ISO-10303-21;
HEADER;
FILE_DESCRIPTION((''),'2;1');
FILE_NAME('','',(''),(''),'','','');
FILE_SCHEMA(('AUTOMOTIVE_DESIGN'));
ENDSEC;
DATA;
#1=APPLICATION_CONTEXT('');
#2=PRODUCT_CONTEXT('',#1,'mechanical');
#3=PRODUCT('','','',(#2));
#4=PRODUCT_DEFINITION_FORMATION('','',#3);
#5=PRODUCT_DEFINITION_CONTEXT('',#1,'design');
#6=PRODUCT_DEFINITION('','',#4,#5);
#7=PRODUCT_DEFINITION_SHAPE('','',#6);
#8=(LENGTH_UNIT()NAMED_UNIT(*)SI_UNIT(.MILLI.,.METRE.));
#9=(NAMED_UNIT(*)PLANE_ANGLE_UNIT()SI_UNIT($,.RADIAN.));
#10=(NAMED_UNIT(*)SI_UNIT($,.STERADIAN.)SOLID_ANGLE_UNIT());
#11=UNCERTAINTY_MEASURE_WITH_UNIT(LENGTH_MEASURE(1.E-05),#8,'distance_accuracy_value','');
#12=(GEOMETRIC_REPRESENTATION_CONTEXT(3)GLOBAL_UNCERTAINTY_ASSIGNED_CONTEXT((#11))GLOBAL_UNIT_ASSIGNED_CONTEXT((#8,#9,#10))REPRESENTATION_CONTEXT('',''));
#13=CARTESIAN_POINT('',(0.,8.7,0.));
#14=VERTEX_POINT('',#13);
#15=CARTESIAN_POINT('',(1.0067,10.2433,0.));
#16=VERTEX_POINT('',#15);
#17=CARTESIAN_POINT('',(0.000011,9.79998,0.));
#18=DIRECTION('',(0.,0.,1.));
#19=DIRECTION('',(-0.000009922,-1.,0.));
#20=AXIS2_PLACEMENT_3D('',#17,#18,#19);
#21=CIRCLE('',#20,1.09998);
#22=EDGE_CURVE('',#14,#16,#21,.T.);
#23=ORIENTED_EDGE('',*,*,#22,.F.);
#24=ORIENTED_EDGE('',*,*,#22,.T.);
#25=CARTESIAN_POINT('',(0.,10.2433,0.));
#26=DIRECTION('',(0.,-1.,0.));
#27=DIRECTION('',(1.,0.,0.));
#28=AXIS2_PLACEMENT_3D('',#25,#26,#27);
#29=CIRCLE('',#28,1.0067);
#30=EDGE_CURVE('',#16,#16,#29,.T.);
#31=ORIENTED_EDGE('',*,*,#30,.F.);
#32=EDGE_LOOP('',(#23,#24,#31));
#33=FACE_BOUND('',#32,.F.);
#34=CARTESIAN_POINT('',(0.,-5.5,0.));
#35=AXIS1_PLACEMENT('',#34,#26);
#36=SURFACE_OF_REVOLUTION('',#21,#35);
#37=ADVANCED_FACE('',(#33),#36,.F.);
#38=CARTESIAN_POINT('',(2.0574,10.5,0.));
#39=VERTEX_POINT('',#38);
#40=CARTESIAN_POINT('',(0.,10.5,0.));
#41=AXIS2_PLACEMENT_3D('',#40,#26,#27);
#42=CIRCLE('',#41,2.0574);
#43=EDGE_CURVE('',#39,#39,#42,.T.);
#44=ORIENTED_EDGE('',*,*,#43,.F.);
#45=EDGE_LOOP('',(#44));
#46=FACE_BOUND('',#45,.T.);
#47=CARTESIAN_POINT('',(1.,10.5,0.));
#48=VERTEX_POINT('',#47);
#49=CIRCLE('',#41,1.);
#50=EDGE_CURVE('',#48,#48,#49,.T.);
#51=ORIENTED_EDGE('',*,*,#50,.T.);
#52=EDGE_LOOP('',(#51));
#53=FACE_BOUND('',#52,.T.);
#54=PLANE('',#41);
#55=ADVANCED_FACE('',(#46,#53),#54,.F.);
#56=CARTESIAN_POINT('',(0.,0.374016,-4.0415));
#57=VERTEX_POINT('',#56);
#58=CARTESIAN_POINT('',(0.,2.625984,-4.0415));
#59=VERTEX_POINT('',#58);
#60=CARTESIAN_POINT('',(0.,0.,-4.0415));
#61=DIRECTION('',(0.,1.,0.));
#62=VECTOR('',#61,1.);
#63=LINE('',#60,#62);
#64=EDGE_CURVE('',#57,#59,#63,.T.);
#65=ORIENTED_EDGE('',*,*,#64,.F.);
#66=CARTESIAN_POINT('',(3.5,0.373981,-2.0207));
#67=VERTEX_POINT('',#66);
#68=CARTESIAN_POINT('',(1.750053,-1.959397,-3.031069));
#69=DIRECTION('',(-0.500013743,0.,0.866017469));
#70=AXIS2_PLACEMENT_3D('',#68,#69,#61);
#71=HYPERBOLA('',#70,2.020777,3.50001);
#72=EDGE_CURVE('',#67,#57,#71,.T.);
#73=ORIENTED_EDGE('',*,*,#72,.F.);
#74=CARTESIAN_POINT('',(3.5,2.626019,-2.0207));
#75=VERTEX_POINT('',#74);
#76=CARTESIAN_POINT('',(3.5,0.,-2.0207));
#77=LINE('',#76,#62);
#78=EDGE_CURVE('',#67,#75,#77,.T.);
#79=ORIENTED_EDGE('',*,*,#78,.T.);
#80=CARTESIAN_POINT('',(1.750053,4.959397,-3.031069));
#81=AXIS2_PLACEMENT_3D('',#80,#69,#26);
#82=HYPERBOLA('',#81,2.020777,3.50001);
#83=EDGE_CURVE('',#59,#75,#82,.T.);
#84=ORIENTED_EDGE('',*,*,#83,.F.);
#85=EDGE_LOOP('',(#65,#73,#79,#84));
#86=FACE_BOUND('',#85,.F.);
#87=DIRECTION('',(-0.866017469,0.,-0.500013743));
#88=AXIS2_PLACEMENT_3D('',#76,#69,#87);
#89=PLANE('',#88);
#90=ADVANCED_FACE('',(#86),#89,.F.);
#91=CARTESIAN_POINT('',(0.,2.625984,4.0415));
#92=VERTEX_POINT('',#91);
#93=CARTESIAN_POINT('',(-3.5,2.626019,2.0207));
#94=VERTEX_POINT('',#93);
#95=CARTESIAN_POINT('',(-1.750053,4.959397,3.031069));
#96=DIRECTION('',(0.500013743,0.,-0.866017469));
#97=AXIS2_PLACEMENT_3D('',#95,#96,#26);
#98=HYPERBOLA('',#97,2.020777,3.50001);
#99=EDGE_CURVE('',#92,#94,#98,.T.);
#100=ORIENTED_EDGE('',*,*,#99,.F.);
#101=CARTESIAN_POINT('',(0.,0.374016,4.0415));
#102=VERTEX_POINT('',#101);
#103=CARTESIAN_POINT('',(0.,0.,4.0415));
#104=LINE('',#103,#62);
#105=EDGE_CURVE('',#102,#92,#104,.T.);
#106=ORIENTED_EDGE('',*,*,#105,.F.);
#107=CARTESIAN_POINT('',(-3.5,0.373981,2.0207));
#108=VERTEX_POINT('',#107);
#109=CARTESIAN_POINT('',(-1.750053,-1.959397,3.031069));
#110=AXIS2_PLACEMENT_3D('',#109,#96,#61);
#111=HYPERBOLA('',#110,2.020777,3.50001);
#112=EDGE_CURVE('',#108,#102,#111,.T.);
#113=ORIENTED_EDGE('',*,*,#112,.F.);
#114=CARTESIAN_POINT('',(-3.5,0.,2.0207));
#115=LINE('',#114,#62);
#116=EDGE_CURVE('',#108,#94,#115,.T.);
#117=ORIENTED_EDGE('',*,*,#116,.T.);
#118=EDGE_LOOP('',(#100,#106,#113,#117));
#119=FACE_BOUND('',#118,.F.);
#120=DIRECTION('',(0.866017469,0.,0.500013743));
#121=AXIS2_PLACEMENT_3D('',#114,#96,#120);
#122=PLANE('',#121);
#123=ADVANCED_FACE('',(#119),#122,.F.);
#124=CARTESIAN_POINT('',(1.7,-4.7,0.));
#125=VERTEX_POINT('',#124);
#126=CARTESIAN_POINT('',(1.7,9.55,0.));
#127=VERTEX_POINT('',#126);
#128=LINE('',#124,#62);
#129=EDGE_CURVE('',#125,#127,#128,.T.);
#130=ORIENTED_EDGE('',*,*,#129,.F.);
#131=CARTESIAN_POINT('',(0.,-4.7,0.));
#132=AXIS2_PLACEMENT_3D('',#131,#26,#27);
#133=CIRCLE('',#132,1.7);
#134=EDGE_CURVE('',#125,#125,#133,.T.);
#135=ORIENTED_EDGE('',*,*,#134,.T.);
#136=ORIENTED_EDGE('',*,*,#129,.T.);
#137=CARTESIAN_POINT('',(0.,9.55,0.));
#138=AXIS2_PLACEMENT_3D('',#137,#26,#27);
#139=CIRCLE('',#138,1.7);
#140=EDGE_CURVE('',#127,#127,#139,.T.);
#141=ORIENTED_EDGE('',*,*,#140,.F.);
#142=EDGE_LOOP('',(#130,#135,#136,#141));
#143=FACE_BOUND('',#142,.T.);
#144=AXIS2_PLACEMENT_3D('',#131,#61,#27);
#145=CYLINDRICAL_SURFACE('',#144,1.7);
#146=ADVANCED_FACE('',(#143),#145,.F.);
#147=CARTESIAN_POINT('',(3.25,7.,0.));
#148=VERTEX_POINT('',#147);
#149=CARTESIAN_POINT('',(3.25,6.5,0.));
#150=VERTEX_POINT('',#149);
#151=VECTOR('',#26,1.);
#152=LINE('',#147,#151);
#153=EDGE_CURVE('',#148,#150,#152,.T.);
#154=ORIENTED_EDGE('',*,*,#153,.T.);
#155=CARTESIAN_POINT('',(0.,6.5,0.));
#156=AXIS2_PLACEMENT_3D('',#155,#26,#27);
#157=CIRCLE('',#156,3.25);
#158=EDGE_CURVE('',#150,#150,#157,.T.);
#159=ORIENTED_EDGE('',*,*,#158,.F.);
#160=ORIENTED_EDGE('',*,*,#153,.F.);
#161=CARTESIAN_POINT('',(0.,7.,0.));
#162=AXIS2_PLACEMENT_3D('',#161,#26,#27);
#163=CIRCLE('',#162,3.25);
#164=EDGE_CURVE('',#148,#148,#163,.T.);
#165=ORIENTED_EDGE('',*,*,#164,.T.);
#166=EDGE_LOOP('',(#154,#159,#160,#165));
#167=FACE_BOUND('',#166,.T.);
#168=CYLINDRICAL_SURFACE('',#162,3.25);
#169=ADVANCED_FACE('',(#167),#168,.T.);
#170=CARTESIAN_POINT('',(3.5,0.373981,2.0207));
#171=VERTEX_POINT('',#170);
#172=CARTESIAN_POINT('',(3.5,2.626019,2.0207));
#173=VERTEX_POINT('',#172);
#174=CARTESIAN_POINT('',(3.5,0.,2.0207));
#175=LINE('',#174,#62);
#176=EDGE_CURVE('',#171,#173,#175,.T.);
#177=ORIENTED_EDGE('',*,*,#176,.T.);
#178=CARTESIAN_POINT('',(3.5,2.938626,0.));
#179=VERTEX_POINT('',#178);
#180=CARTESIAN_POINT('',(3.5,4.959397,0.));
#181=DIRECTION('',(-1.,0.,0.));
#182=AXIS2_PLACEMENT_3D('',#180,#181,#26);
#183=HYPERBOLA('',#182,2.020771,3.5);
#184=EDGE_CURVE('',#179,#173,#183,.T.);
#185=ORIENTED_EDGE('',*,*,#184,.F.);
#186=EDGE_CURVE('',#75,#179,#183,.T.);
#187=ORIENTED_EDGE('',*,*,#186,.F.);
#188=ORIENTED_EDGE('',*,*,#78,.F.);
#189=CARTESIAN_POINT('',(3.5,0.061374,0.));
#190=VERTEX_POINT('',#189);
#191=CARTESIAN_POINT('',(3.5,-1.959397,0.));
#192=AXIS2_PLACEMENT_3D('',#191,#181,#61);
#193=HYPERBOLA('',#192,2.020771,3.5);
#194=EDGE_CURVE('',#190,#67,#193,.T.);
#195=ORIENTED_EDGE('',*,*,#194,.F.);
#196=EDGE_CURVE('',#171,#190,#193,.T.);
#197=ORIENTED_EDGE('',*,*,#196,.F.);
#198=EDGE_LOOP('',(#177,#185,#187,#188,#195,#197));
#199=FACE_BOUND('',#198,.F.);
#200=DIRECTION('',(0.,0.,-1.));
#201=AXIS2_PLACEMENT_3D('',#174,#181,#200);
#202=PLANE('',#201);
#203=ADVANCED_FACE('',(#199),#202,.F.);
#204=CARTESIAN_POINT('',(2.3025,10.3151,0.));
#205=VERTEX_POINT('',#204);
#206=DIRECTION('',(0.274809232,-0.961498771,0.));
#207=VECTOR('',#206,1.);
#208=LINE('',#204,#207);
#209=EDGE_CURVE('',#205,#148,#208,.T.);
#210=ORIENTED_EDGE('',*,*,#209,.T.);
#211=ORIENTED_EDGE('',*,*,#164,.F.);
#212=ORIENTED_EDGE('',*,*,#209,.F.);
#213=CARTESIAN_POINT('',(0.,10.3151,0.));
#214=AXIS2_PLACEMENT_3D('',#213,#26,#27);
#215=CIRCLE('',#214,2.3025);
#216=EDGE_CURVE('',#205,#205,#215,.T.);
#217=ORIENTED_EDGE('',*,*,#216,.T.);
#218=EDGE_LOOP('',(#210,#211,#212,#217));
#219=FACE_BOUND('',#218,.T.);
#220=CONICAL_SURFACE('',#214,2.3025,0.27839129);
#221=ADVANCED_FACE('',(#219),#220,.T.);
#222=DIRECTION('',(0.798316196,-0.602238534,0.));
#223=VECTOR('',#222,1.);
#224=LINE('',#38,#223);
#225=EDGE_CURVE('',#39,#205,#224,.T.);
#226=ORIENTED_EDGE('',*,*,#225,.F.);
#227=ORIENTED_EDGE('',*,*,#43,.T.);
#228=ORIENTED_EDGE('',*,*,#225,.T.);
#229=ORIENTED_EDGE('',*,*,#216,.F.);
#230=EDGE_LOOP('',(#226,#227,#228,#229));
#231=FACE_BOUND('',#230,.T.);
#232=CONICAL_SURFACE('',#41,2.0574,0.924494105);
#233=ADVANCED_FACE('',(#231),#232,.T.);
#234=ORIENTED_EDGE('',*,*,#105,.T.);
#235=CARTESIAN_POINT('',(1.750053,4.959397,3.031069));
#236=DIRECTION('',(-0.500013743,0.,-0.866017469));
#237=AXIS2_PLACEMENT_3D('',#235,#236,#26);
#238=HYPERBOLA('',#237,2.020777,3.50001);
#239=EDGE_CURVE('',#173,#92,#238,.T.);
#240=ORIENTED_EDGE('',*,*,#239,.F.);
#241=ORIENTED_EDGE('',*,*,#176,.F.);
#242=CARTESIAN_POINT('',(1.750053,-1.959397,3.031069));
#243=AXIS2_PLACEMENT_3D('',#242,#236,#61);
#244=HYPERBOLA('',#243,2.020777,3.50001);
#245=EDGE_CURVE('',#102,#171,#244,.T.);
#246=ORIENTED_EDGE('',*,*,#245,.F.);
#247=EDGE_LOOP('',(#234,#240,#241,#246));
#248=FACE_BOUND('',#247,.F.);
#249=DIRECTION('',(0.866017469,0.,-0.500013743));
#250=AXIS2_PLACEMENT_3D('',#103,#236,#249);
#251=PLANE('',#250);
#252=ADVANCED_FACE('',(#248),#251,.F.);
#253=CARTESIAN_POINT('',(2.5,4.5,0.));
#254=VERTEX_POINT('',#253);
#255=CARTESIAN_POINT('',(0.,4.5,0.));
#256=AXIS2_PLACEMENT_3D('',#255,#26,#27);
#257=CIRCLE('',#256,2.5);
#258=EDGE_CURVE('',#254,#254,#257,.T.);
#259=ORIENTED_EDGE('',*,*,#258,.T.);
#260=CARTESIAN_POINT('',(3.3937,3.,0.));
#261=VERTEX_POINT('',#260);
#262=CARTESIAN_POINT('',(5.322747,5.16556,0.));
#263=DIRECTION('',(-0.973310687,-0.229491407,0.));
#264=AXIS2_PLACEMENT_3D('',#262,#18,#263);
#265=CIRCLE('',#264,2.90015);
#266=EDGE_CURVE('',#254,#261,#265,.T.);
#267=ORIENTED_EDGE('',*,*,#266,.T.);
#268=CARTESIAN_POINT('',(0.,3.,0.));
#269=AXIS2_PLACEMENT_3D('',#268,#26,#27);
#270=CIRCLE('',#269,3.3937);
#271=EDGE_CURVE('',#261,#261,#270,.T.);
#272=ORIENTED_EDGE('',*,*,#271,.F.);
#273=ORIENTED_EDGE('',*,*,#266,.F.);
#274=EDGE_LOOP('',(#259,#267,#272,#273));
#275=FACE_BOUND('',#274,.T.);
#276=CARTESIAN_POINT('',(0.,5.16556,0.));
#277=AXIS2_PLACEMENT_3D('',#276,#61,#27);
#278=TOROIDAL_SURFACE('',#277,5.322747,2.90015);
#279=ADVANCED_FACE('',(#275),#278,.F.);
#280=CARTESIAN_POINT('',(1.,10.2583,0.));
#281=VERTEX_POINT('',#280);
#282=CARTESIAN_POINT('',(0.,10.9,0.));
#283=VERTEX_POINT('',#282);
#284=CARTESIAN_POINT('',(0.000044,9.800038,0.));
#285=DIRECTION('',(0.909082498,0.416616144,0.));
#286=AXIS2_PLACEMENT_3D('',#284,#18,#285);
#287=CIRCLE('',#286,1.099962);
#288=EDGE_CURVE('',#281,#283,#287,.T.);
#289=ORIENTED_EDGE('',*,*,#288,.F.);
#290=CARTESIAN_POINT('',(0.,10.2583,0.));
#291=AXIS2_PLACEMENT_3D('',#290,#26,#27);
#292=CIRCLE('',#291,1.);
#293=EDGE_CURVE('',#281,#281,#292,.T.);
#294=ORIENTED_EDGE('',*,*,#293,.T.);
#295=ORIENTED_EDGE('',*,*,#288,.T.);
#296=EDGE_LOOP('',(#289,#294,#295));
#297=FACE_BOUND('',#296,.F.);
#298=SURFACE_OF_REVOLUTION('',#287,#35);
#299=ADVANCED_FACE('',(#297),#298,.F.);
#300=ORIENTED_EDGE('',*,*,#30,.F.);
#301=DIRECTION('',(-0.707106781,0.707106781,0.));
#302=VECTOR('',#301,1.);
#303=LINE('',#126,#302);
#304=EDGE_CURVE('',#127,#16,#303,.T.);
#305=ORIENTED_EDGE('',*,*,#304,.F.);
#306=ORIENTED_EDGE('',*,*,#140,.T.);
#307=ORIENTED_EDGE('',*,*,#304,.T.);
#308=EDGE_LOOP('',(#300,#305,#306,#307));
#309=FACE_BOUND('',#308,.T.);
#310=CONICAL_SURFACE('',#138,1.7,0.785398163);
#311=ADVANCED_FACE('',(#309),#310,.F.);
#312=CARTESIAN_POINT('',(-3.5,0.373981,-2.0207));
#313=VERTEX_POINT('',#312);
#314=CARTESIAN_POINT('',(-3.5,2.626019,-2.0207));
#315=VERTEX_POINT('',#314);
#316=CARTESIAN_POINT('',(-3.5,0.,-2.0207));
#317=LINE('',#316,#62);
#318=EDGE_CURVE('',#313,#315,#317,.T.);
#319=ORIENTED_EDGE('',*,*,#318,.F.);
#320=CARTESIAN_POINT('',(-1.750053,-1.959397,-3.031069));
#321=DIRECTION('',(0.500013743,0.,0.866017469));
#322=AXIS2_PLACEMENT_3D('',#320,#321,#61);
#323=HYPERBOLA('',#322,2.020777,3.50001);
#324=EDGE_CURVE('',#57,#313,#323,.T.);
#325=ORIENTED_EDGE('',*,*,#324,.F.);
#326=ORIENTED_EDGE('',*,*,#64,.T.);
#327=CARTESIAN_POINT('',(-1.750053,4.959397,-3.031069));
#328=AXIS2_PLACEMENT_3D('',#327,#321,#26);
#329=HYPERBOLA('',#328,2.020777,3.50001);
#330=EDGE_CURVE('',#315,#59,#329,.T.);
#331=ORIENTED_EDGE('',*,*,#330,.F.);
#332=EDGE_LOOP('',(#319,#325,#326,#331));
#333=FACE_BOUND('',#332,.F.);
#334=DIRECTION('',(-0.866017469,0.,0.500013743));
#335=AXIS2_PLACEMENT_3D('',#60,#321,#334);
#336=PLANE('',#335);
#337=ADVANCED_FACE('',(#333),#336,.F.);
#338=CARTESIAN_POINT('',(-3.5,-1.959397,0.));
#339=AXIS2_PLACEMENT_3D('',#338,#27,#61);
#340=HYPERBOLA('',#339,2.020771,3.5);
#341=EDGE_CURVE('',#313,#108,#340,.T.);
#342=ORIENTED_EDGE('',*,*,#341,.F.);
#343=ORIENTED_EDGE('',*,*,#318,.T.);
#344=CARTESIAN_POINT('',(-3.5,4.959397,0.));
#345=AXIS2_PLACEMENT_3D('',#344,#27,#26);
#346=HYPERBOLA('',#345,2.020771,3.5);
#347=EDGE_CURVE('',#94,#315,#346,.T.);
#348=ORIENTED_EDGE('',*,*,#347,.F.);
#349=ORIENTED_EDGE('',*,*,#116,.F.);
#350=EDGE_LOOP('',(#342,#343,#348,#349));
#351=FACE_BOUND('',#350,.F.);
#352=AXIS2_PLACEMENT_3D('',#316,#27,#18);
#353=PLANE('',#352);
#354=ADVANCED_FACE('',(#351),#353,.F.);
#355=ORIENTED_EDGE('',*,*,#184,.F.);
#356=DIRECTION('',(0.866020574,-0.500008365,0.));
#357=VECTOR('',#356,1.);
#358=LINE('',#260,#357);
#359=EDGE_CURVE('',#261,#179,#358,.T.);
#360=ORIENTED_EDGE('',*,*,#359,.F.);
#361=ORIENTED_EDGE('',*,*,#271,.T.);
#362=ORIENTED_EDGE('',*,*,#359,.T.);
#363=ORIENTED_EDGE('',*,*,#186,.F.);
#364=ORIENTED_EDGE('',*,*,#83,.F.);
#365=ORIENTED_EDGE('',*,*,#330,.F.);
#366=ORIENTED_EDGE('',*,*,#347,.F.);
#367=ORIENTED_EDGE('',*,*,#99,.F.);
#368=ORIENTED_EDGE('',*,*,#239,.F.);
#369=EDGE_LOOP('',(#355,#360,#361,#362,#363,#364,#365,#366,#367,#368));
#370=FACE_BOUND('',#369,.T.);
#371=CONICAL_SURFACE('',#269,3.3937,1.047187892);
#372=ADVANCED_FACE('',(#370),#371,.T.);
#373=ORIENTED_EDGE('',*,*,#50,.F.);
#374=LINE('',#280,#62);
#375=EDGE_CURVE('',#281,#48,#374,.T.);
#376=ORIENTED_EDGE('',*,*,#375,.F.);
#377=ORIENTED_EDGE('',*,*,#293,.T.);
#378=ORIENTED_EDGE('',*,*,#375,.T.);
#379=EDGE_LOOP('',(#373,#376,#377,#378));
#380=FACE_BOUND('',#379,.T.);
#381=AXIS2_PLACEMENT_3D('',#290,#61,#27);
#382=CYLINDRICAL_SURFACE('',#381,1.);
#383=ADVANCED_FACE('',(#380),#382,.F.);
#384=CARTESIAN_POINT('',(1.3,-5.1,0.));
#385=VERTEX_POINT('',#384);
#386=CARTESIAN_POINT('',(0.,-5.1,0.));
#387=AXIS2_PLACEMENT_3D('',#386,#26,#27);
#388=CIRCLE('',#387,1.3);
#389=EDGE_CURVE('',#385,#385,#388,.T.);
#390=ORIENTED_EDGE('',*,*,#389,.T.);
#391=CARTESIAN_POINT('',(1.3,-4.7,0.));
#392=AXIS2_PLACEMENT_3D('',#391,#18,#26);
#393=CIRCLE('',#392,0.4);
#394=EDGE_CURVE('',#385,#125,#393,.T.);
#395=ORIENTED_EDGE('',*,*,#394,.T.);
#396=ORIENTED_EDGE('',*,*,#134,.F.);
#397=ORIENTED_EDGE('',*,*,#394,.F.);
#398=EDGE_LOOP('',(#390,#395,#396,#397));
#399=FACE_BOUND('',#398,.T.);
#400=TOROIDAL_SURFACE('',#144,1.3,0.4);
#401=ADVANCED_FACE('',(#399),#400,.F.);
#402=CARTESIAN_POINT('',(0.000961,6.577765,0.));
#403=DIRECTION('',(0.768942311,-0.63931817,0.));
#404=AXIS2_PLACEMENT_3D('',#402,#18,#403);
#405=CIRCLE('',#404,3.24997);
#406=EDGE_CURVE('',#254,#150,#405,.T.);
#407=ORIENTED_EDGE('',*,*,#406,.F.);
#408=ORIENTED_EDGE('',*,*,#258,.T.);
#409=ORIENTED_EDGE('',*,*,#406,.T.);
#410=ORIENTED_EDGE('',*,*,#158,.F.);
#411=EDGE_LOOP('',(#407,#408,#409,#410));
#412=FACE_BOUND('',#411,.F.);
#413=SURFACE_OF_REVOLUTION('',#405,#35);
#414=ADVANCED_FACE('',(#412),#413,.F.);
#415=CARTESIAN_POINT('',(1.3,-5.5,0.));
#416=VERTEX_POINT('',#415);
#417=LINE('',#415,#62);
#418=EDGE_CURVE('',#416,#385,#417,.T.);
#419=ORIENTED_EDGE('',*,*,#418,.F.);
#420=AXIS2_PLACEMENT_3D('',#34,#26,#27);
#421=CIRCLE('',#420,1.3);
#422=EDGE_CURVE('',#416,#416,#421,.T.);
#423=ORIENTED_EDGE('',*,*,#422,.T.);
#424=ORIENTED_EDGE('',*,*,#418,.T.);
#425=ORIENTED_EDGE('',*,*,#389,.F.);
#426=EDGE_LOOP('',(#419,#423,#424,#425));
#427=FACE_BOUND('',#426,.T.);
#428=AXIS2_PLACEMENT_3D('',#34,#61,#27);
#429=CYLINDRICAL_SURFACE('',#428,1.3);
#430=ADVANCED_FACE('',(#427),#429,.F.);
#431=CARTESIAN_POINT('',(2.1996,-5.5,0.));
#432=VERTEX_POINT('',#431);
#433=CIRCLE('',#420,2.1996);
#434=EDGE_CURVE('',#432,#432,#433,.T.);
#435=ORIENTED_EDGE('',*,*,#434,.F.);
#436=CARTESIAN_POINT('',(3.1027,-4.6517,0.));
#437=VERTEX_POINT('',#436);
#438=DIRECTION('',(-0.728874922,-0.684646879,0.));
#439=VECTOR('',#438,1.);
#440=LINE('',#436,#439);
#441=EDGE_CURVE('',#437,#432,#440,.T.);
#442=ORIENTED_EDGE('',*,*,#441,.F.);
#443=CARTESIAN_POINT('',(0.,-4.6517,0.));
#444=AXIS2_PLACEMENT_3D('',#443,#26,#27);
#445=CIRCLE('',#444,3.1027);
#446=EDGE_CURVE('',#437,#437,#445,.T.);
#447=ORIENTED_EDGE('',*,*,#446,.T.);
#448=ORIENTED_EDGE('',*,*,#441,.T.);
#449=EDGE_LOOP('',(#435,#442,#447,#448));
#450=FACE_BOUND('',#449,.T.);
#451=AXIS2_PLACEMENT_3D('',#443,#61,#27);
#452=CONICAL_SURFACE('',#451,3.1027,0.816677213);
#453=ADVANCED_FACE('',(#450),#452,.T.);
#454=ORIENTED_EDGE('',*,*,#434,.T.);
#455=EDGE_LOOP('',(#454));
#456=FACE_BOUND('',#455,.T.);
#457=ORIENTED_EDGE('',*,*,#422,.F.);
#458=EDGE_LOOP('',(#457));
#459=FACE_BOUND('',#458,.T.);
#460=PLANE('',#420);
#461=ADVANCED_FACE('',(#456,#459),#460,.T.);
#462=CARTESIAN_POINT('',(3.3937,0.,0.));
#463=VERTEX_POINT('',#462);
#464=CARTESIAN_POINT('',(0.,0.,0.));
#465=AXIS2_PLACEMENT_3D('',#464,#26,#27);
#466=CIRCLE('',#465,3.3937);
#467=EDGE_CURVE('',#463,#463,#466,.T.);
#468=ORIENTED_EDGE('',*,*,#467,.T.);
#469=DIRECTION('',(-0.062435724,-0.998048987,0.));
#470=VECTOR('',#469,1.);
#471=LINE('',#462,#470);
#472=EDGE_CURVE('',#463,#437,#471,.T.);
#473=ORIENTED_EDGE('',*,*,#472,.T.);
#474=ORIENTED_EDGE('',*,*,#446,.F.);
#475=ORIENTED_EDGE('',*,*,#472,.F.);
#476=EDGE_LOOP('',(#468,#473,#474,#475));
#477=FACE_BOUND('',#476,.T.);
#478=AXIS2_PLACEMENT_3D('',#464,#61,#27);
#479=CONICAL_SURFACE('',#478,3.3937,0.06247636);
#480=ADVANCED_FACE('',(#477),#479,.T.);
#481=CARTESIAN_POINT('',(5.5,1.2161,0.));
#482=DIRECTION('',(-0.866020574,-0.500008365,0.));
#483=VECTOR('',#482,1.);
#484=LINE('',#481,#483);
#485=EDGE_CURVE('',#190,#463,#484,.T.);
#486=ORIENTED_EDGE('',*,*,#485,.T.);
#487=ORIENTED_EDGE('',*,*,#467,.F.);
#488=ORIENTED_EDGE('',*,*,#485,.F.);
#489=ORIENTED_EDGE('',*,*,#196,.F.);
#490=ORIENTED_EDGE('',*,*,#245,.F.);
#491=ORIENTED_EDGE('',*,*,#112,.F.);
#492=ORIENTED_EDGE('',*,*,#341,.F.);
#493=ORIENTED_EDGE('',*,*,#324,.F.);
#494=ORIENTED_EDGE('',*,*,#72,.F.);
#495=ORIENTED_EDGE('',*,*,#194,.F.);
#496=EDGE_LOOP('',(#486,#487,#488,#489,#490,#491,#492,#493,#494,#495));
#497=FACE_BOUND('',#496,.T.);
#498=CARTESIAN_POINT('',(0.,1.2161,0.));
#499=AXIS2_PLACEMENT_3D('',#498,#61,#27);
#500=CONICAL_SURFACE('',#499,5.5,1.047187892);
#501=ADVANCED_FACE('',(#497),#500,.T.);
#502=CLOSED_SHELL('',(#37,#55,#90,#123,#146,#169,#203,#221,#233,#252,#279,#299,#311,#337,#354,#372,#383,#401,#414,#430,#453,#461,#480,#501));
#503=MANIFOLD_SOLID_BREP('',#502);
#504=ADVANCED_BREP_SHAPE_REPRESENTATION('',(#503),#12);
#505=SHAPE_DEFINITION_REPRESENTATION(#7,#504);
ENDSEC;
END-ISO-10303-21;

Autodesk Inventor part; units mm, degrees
sketch "Sketch_1" plane through (0, 0, 0) normal (0, 0, 1) x (1, 0, 0)
  line L0 (0, -5.5) -> (0, 10.5)
  arc A0 (1, 10.2583) -> (0, 10.9) centre (0, 9.8) ccw
  line L1 (1, 10.2583) -> (1, 10.5)
  line L2 (1, 10.5) -> (2.0574, 10.5)
  line L3 (2.0574, 10.5) -> (2.3025, 10.3151)
  line L4 (2.3025, 10.3151) -> (3.25, 7)
  line L5 (3.25, 7) -> (3.25, 6.5)
  arc A1 (2.5, 4.5) -> (3.25, 6.5) centre (0.0009, 6.5778) ccw
  arc A2 (2.5, 4.5) -> (3.3937, 3) centre (5.3226, 5.1655) ccw
  line L6 (3.3937, 3) -> (5.5, 1.7839)
  line L7 (5.5, 1.7839) -> (5.5, 1.2161)
  line L8 (5.5, 1.2161) -> (3.3937, 0)
  line L9 (3.3937, 0) -> (3.1027, -4.6517)
  line L10 (3.1027, -4.6517) -> (2.1996, -5.5)
  line L11 (2.1996, -5.5) -> (1.3, -5.5)
  line L12 (1.3, -5.5) -> (1.3, -5.1)
  arc A3 (1.3, -5.1) -> (1.7, -4.7) centre (1.3, -4.7) ccw
  line L13 (1.7, -4.7) -> (1.7, 9.55)
  line L14 (1.7, 9.55) -> (1.0067, 10.2433)
  arc A4 (0, 8.7) -> (1.0067, 10.2433) centre (0, 9.8) ccw
  line L15 (0, 8.7) -> (0, 10.9)
revolve "Revolution1" add sketch "Sketch_1" angle 360 about axis through (0, -5.5, 0) along (0, -1, 0)
sketch "Sketch_2" plane through (0, 0, 0) normal (0, 1, 0) x (-1, 0, 0)
  line L0 (6, -6) -> (6, 6)
  line L1 (6, 6) -> (-6, 6)
  line L2 (-6, 6) -> (-6, -6)
  line L3 (-6, -6) -> (6, -6)
  line L4 (3.5, 2.0207) -> (0, 4.0415)
  line L5 (0, 4.0415) -> (-3.5, 2.0207)
  line L6 (-3.5, 2.0207) -> (-3.5, -2.0207)
  line L7 (-3.5, -2.0207) -> (0, -4.0415)
  line L8 (0, -4.0415) -> (3.5, -2.0207)
  line L9 (3.5, -2.0207) -> (3.5, 2.0207)
extrude "Extrusion1" cut sketch "Sketch_2" along normal blind 3
ref_plane "gn_XY" through (0, 0, 0) normal (0, 0, 1) x (1, 0, 0)
ref_plane "gn_YZ" through (0, 0, 0) normal (1, 0, 0) x (0, 1, 0)
ref_plane "gn_ZX" through (0, 0, 0) normal (0, 1, 0) x (0, 0, 1)
properties part number "1/4-28 SAE-LT"
